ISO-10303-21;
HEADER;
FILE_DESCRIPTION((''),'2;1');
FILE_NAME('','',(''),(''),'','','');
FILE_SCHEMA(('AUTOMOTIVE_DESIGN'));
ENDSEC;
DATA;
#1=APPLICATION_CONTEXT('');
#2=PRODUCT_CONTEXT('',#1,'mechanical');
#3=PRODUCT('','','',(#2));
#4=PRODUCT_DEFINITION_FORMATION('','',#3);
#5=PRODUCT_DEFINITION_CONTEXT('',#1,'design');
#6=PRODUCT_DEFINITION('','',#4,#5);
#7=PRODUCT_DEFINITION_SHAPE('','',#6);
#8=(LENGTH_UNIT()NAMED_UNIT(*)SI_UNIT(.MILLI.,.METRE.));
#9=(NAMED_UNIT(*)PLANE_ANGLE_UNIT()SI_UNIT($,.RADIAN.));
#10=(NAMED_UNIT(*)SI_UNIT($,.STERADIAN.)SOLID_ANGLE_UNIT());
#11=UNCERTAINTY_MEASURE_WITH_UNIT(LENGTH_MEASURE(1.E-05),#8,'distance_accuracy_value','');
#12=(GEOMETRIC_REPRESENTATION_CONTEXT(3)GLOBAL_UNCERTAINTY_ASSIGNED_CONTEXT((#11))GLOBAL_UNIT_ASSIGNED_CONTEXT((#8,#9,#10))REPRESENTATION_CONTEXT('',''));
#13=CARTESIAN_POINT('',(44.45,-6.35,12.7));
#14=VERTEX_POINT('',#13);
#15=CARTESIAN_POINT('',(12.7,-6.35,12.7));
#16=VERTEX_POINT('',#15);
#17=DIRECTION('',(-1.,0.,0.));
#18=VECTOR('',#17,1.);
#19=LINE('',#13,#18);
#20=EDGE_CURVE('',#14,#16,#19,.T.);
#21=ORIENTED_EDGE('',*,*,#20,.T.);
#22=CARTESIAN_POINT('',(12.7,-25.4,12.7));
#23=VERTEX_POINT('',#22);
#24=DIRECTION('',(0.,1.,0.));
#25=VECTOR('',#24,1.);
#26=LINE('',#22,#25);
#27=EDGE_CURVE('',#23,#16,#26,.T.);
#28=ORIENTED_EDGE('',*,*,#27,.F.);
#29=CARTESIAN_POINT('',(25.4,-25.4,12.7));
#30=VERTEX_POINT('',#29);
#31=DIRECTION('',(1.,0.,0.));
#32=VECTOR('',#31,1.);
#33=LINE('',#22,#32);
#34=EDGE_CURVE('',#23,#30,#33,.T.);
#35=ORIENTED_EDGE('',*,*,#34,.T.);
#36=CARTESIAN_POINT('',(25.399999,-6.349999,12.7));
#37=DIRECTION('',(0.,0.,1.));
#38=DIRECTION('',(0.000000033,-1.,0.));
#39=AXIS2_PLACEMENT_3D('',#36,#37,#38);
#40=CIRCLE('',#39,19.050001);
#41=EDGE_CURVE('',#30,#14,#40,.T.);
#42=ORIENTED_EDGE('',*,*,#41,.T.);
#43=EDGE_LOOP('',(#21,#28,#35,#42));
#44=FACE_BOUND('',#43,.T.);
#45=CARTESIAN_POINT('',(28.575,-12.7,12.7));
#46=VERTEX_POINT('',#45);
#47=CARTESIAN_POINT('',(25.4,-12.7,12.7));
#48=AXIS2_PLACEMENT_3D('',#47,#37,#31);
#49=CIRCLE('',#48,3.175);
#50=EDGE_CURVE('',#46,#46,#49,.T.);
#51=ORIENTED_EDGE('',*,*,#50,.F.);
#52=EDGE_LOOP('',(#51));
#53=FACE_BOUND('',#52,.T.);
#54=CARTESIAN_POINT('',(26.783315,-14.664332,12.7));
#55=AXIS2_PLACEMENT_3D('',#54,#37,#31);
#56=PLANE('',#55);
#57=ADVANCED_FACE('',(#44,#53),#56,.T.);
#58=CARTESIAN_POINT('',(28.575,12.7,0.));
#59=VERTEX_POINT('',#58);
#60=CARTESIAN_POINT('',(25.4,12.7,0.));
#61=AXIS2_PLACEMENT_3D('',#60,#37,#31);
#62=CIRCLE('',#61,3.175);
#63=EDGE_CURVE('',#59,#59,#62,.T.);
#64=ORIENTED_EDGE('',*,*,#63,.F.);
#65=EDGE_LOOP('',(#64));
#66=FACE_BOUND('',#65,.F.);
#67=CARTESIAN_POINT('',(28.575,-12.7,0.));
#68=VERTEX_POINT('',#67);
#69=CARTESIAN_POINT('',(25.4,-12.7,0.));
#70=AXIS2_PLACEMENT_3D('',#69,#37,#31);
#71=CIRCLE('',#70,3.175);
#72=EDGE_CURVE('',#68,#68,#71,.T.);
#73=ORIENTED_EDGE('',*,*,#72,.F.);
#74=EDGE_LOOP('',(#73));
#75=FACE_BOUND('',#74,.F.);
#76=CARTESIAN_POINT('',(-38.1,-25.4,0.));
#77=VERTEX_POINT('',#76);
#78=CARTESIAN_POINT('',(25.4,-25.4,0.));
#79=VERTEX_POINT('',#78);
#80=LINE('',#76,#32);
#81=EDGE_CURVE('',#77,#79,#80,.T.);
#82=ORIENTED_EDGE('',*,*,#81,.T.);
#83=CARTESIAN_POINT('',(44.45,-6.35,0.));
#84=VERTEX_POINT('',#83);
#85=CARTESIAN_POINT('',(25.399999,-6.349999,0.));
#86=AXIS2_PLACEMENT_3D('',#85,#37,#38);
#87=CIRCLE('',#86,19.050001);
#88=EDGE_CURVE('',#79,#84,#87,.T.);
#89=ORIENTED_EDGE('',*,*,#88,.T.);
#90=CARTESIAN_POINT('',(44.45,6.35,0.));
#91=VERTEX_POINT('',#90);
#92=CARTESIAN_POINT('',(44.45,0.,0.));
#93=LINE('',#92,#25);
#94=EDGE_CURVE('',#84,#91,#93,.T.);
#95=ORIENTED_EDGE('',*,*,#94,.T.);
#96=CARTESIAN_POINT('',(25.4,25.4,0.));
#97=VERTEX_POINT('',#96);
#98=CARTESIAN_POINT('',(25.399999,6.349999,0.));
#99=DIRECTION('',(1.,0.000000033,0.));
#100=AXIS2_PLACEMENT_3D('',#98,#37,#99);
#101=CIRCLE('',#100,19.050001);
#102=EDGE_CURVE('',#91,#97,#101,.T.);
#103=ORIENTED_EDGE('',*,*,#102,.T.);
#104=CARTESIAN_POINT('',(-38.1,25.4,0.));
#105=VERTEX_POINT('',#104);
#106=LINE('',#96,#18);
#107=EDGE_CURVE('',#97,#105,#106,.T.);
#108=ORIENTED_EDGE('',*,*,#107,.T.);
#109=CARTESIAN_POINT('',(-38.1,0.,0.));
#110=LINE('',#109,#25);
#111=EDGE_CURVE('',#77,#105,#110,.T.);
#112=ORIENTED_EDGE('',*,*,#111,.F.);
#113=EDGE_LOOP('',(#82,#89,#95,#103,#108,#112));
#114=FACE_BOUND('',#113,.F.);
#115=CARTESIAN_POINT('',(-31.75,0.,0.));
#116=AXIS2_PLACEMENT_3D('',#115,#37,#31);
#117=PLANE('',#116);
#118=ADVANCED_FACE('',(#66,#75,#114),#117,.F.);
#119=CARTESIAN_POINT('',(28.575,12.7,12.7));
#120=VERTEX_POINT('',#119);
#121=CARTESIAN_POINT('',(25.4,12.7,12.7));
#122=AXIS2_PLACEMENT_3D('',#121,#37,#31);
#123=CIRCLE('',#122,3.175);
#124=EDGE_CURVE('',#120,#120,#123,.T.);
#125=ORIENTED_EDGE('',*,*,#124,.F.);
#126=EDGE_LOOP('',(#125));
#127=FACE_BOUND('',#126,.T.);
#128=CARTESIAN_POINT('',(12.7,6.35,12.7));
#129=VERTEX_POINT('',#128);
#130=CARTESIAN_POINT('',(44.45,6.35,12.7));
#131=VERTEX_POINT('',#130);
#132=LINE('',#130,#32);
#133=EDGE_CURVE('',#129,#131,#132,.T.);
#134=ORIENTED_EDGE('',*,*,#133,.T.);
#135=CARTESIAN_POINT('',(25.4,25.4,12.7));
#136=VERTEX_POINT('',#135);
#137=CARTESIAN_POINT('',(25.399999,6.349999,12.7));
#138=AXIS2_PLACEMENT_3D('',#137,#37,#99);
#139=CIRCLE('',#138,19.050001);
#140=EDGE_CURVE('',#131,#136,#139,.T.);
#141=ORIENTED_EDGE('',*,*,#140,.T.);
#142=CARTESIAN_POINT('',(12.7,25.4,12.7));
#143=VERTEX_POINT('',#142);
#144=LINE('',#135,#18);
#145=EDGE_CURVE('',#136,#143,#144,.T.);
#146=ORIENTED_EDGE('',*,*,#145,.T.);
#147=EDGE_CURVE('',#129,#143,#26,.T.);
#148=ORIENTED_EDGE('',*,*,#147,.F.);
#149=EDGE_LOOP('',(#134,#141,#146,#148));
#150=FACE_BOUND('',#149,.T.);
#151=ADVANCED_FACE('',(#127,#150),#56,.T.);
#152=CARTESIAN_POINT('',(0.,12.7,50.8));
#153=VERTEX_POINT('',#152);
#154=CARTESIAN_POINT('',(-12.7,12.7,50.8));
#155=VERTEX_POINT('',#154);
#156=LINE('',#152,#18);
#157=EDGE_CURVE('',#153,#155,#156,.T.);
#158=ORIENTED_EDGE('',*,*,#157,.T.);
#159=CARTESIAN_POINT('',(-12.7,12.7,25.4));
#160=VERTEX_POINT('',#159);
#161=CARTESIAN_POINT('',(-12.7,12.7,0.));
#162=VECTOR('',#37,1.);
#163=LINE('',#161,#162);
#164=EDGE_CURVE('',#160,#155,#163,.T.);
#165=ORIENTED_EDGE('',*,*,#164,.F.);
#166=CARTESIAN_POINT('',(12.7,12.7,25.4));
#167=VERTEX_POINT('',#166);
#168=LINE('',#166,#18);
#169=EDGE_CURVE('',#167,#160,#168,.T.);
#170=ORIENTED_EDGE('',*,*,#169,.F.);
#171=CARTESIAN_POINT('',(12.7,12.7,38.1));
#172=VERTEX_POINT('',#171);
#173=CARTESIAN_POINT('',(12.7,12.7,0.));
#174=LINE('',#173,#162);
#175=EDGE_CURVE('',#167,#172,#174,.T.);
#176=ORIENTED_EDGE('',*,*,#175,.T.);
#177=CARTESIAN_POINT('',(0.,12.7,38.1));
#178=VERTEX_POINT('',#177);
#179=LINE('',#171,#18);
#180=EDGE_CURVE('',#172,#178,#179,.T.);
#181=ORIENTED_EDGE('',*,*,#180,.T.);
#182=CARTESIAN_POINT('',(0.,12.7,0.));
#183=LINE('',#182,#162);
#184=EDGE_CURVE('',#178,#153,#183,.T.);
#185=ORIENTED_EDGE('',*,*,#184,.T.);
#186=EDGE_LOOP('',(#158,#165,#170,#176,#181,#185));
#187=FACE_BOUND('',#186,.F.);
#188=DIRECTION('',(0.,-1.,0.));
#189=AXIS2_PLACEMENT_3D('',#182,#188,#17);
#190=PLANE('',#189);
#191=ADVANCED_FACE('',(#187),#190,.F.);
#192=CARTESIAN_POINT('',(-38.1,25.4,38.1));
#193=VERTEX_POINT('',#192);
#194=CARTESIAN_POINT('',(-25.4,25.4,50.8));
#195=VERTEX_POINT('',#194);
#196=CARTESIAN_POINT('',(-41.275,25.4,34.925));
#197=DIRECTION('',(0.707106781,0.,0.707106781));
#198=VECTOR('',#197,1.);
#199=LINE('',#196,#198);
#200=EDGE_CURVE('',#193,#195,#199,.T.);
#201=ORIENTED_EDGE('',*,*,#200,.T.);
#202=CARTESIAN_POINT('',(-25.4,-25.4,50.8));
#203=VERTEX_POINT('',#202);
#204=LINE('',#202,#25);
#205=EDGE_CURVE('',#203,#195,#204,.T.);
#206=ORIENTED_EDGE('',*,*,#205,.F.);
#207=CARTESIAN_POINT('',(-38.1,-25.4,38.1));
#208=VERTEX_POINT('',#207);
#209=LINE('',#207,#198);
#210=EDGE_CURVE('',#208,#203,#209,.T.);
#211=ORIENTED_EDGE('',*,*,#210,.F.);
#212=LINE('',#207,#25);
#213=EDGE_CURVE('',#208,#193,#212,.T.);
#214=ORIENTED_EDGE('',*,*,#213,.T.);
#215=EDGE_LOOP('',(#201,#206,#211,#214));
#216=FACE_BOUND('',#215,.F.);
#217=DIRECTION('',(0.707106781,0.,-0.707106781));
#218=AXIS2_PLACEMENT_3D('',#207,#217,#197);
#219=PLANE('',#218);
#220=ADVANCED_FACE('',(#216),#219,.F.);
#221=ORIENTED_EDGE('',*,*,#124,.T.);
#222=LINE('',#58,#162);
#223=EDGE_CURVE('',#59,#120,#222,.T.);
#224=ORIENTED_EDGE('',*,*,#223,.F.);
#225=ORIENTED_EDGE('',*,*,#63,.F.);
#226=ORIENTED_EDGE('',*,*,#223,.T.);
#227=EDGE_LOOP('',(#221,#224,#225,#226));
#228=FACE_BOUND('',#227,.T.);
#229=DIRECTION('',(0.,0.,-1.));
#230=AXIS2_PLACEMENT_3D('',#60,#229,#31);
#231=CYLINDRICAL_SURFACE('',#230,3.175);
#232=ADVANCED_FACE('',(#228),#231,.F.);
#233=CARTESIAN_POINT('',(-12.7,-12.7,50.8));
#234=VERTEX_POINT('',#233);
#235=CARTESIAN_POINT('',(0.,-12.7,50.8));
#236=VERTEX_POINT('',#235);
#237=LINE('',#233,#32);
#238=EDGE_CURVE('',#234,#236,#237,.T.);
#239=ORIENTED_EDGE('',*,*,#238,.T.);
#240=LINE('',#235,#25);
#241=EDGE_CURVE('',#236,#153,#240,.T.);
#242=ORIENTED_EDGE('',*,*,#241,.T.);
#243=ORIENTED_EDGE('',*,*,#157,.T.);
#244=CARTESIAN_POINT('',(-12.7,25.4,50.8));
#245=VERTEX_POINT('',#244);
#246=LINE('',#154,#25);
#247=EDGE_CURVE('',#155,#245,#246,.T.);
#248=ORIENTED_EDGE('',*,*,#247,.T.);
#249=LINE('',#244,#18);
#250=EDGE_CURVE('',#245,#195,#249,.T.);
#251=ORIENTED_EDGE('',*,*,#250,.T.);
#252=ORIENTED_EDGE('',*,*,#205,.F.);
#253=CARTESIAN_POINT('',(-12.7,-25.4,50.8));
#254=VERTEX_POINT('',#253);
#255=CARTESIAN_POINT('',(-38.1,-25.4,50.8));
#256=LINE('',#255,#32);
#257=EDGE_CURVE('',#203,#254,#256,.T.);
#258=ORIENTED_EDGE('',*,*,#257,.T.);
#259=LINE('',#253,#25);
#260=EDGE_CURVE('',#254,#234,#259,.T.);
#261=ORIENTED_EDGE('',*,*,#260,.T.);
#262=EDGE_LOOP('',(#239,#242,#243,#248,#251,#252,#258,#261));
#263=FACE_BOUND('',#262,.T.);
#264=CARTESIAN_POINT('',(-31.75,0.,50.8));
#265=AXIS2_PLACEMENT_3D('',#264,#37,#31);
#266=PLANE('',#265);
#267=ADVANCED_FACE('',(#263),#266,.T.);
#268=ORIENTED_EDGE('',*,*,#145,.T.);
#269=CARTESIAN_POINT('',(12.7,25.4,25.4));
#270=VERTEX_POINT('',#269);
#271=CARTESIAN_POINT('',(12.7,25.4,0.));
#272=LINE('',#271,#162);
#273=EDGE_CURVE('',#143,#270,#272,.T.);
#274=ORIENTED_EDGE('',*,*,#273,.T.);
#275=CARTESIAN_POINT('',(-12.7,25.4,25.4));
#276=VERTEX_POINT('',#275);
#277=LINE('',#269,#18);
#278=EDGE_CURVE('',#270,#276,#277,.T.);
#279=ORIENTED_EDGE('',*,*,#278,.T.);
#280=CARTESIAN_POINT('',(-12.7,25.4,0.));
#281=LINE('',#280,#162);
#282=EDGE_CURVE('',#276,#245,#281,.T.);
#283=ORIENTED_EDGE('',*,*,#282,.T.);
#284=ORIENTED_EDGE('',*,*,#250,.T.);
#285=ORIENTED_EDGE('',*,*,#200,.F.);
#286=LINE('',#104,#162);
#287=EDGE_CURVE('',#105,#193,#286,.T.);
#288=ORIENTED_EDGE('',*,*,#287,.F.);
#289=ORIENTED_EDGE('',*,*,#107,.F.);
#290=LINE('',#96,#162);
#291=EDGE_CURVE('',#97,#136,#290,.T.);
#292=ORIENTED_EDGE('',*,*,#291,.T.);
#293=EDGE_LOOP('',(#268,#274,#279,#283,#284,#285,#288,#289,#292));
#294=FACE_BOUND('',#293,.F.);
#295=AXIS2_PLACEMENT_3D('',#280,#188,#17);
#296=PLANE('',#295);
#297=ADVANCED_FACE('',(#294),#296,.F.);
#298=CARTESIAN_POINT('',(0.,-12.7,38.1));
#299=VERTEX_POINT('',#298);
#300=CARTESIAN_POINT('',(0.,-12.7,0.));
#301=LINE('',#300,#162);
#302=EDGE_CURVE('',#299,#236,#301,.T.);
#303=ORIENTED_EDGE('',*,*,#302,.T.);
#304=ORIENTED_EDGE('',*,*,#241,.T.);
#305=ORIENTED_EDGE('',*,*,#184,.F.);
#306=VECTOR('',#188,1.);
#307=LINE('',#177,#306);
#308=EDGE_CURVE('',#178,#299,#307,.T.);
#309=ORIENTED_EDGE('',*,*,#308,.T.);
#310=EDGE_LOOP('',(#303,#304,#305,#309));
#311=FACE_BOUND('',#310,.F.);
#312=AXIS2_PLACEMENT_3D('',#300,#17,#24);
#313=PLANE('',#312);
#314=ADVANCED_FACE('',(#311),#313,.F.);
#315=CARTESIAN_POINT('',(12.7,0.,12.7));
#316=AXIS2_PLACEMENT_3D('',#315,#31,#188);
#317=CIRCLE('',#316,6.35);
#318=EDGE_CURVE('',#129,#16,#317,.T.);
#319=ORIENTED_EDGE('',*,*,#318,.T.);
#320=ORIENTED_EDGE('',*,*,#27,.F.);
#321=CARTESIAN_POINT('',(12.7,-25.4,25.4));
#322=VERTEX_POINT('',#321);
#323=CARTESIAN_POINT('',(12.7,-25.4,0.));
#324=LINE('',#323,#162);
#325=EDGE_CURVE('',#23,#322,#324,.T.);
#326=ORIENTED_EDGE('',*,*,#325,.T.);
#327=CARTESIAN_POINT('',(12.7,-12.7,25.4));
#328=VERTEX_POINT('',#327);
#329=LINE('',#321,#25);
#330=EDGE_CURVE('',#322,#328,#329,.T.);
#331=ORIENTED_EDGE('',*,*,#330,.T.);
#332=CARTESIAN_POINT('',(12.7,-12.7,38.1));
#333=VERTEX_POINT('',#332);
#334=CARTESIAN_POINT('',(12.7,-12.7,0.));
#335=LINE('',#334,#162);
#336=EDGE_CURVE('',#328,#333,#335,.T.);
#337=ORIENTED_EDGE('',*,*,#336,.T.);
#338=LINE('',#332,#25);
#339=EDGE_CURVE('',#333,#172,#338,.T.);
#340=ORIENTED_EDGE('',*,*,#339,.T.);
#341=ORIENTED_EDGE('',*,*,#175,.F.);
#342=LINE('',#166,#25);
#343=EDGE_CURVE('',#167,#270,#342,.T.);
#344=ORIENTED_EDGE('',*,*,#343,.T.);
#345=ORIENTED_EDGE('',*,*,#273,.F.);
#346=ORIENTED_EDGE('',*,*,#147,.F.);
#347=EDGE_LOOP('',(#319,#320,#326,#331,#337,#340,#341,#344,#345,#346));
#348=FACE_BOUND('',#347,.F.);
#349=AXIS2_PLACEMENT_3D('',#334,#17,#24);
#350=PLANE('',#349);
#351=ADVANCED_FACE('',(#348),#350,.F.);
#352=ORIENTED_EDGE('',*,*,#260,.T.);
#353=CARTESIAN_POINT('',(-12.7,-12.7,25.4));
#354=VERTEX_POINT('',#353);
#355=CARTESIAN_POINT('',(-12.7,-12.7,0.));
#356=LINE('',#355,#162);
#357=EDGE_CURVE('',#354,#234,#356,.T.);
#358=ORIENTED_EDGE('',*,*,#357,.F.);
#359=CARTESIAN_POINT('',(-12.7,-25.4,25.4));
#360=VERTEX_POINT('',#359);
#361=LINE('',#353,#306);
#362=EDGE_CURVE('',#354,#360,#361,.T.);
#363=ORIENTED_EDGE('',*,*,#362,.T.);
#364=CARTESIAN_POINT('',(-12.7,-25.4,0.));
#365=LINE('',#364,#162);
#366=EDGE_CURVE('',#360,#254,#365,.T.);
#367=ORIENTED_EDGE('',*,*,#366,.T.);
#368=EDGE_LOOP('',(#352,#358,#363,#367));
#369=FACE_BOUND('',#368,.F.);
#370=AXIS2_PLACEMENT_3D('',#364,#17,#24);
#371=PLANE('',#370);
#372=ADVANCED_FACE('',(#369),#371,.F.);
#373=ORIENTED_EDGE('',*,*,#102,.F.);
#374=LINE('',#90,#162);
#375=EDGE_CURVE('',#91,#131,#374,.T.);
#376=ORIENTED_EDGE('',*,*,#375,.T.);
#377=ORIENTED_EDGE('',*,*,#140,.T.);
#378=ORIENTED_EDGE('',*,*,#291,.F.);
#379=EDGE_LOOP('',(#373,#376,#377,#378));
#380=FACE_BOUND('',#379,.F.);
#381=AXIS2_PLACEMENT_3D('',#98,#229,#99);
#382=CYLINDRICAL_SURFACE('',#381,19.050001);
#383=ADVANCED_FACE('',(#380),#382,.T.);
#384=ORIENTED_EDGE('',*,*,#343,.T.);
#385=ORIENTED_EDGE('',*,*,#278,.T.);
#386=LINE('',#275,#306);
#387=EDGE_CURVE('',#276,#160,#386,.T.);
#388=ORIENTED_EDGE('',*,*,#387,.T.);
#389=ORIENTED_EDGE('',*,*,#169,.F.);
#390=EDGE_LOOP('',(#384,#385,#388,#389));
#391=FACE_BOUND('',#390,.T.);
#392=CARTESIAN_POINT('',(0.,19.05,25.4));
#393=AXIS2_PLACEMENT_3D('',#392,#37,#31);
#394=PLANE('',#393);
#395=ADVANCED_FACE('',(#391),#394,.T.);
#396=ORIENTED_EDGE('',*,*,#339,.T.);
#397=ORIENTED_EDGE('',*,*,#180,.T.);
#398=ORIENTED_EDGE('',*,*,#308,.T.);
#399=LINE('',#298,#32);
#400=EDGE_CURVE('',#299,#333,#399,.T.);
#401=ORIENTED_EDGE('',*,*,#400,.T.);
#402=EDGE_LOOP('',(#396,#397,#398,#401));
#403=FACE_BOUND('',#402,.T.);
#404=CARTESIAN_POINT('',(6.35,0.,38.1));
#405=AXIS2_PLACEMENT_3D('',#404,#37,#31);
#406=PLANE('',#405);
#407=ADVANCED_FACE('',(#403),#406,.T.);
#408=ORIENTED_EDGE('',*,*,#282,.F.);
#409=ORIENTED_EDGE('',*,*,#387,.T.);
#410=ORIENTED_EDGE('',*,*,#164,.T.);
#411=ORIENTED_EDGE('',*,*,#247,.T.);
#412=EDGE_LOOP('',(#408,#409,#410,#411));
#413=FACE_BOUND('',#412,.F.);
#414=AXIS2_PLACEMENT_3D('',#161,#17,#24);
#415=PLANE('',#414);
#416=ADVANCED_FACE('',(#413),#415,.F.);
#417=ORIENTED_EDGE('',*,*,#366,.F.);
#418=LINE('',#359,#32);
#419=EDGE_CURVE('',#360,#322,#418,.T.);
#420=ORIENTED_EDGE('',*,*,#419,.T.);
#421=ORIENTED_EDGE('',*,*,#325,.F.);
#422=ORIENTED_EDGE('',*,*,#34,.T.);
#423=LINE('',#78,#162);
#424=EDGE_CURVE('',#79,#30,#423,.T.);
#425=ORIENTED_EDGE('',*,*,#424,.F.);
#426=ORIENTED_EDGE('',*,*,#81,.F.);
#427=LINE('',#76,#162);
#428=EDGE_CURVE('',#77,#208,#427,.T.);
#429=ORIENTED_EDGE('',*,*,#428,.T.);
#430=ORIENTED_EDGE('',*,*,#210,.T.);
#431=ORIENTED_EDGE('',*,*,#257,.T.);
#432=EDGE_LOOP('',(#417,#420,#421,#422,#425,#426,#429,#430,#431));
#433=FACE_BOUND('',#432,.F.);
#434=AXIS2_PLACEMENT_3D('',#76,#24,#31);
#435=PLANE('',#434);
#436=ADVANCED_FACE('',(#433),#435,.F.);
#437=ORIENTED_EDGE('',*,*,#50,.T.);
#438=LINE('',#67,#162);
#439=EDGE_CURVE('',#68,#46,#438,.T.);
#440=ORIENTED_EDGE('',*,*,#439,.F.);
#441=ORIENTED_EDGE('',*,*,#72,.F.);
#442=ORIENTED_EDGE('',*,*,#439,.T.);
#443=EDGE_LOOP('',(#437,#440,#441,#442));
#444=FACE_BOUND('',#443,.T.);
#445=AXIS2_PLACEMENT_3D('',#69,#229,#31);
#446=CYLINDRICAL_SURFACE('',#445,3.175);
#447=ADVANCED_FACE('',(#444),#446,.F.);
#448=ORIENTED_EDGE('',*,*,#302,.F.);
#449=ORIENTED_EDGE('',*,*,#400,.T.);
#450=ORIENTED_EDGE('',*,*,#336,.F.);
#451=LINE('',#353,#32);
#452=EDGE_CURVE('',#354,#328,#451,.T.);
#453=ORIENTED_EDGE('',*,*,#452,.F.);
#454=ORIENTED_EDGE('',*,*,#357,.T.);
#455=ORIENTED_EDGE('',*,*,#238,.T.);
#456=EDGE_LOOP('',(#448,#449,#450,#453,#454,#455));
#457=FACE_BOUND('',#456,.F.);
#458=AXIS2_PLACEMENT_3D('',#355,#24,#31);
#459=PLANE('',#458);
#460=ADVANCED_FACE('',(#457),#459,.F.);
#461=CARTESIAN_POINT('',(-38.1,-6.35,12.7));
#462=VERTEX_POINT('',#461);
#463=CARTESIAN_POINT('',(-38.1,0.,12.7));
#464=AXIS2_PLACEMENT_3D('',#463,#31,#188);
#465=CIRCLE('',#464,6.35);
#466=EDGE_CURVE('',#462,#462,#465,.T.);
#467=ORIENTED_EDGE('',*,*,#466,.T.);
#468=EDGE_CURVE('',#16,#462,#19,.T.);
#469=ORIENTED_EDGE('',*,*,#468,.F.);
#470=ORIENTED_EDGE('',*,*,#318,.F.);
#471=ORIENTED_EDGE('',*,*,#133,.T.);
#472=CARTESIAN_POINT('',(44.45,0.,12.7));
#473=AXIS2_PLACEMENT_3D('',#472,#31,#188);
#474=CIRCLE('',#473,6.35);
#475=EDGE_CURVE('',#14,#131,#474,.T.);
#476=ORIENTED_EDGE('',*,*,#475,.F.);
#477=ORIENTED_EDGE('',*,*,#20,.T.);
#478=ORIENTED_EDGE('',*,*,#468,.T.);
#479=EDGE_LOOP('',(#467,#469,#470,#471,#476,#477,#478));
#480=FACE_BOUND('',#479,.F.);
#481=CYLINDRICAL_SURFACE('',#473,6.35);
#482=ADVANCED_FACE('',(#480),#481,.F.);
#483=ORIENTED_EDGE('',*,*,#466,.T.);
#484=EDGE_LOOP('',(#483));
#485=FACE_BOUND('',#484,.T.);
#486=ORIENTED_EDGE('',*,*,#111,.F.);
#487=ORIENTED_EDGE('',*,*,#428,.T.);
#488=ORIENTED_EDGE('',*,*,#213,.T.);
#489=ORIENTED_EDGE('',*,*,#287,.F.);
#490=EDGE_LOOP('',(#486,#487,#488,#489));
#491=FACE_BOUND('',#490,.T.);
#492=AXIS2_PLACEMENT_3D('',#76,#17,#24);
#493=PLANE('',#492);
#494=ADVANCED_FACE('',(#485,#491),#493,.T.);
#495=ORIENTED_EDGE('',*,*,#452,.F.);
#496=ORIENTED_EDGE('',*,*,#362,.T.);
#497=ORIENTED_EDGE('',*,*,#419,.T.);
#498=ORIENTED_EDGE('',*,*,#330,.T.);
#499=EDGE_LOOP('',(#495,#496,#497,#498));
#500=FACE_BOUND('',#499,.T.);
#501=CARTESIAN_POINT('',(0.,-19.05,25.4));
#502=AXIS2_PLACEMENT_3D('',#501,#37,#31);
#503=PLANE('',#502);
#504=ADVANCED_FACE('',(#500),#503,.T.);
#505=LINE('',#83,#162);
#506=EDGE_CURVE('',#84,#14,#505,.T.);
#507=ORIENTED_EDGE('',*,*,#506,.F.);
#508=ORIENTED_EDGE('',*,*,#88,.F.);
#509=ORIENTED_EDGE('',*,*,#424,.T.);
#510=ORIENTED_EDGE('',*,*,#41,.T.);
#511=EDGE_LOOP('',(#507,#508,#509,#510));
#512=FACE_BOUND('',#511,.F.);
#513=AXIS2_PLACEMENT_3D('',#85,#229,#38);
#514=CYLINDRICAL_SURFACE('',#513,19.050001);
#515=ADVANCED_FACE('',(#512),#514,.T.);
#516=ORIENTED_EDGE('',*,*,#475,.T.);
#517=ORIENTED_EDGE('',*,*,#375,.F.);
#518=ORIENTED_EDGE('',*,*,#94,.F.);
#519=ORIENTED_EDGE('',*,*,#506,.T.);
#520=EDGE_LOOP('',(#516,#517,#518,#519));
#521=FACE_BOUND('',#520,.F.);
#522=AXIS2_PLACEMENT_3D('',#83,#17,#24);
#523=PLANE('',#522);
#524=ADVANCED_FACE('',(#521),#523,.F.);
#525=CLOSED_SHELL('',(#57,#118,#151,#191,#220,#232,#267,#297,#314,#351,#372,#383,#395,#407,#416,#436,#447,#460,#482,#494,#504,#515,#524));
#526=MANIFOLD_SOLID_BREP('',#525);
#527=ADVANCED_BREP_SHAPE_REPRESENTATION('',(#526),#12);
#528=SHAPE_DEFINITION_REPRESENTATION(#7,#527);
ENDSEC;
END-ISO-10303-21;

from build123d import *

# Parameters (mm, degrees)
F0_R     = 3.175
F0_W     = 31.75
F0_H     = 12.7
F1_DEPTH = 12.7
F2_DEPTH = 25.4
F3_DEPTH = 38.1
F0_W_2   = 12.7
F0_H_2   = 50.8
F4_DEPTH = 50.8
F6_DEPTH = 50.801
F8_DEPTH = 82.551


with BuildPart() as f1:
    # F0 (on Top) → F1 (new body)
    with BuildSketch(Plane.XY):
        with BuildLine():
            Line((12.7, -12.7), (12.7, -25.4))
            Line((12.7, -25.4), (25.4, -25.4))
            ThreePointArc((25.4, -25.4), (38.870384, -19.820384), (44.45, -6.35))
            Line((44.45, -6.35), (12.7, -6.35))
            Line((12.7, -6.35), (12.7, -12.7))
        make_face()
        with Locations((25.4, -12.7)):
            Circle(F0_R, mode=Mode.SUBTRACT)
        with Locations((28.575, 0)):
            Rectangle(F0_W, F0_H)
        with BuildLine():
            Line((25.4, 25.4), (12.7, 25.4))
            Line((12.7, 25.4), (12.7, 12.7))
            Line((12.7, 12.7), (12.7, 6.35))
            Line((12.7, 6.35), (44.45, 6.35))
            ThreePointArc((44.45, 6.35), (38.870384, 19.820384), (25.4, 25.4))
        make_face()
        with Locations((25.4, 12.7)):
            Circle(F0_R, mode=Mode.SUBTRACT)
    extrude(amount=F1_DEPTH)

    # F0 (on Top) → F2 (join)
    with BuildSketch(Plane.XY):
        Polygon((-12.7, -12.7), (-12.7, -25.4), (12.7, -25.4), (12.7, -12.7), (0, -12.7), align=None)
        Polygon((12.7, 25.4), (-12.7, 25.4), (-12.7, 12.7), (0, 12.7), (12.7, 12.7), align=None)
    extrude(amount=F2_DEPTH)

    # F0 (on Top) → F3 (join)
    with BuildSketch(Plane.XY):
        Polygon((12.7, 12.7), (0, 12.7), (0, -12.7), (12.7, -12.7), (12.7, -6.35), (12.7, 6.35), align=None)
    extrude(amount=F3_DEPTH)

    # F0 (on Top) → F4 (join)
    with BuildSketch(Plane.XY):
        with Locations((-31.75, 0)):
            Rectangle(F0_W_2, F0_H_2)
        Polygon((-12.7, 25.4), (-25.4, 25.4), (-25.4, -25.4), (-12.7, -25.4), (-12.7, -12.7), (0, -12.7), (0, 12.7), (-12.7, 12.7), align=None)
    extrude(amount=F4_DEPTH)

    # F5 (on face) → F6 (cut, through all)
    with BuildSketch(Plane.XZ.offset(25.4)):
        Polygon((-25.4, 50.8), (-38.1, 50.8), (-38.1, 38.1), align=None)
    extrude(amount=-F6_DEPTH, mode=Mode.SUBTRACT)

    # F7 (on face) → F8 (cut, through all)
    with BuildSketch(Plane.YZ.offset(44.45)):
        with BuildLine():
            Line((-6.35, 12.7), (6.35, 12.7))
            ThreePointArc((6.35, 12.7), (0, 19.05), (-6.35, 12.7))
        make_face()
        with BuildLine():
            ThreePointArc((-6.35, 12.7), (0, 6.35), (6.35, 12.7))
            Line((6.35, 12.7), (-6.35, 12.7))
        make_face()
    extrude(amount=-F8_DEPTH, mode=Mode.SUBTRACT)


solid = f1.part
